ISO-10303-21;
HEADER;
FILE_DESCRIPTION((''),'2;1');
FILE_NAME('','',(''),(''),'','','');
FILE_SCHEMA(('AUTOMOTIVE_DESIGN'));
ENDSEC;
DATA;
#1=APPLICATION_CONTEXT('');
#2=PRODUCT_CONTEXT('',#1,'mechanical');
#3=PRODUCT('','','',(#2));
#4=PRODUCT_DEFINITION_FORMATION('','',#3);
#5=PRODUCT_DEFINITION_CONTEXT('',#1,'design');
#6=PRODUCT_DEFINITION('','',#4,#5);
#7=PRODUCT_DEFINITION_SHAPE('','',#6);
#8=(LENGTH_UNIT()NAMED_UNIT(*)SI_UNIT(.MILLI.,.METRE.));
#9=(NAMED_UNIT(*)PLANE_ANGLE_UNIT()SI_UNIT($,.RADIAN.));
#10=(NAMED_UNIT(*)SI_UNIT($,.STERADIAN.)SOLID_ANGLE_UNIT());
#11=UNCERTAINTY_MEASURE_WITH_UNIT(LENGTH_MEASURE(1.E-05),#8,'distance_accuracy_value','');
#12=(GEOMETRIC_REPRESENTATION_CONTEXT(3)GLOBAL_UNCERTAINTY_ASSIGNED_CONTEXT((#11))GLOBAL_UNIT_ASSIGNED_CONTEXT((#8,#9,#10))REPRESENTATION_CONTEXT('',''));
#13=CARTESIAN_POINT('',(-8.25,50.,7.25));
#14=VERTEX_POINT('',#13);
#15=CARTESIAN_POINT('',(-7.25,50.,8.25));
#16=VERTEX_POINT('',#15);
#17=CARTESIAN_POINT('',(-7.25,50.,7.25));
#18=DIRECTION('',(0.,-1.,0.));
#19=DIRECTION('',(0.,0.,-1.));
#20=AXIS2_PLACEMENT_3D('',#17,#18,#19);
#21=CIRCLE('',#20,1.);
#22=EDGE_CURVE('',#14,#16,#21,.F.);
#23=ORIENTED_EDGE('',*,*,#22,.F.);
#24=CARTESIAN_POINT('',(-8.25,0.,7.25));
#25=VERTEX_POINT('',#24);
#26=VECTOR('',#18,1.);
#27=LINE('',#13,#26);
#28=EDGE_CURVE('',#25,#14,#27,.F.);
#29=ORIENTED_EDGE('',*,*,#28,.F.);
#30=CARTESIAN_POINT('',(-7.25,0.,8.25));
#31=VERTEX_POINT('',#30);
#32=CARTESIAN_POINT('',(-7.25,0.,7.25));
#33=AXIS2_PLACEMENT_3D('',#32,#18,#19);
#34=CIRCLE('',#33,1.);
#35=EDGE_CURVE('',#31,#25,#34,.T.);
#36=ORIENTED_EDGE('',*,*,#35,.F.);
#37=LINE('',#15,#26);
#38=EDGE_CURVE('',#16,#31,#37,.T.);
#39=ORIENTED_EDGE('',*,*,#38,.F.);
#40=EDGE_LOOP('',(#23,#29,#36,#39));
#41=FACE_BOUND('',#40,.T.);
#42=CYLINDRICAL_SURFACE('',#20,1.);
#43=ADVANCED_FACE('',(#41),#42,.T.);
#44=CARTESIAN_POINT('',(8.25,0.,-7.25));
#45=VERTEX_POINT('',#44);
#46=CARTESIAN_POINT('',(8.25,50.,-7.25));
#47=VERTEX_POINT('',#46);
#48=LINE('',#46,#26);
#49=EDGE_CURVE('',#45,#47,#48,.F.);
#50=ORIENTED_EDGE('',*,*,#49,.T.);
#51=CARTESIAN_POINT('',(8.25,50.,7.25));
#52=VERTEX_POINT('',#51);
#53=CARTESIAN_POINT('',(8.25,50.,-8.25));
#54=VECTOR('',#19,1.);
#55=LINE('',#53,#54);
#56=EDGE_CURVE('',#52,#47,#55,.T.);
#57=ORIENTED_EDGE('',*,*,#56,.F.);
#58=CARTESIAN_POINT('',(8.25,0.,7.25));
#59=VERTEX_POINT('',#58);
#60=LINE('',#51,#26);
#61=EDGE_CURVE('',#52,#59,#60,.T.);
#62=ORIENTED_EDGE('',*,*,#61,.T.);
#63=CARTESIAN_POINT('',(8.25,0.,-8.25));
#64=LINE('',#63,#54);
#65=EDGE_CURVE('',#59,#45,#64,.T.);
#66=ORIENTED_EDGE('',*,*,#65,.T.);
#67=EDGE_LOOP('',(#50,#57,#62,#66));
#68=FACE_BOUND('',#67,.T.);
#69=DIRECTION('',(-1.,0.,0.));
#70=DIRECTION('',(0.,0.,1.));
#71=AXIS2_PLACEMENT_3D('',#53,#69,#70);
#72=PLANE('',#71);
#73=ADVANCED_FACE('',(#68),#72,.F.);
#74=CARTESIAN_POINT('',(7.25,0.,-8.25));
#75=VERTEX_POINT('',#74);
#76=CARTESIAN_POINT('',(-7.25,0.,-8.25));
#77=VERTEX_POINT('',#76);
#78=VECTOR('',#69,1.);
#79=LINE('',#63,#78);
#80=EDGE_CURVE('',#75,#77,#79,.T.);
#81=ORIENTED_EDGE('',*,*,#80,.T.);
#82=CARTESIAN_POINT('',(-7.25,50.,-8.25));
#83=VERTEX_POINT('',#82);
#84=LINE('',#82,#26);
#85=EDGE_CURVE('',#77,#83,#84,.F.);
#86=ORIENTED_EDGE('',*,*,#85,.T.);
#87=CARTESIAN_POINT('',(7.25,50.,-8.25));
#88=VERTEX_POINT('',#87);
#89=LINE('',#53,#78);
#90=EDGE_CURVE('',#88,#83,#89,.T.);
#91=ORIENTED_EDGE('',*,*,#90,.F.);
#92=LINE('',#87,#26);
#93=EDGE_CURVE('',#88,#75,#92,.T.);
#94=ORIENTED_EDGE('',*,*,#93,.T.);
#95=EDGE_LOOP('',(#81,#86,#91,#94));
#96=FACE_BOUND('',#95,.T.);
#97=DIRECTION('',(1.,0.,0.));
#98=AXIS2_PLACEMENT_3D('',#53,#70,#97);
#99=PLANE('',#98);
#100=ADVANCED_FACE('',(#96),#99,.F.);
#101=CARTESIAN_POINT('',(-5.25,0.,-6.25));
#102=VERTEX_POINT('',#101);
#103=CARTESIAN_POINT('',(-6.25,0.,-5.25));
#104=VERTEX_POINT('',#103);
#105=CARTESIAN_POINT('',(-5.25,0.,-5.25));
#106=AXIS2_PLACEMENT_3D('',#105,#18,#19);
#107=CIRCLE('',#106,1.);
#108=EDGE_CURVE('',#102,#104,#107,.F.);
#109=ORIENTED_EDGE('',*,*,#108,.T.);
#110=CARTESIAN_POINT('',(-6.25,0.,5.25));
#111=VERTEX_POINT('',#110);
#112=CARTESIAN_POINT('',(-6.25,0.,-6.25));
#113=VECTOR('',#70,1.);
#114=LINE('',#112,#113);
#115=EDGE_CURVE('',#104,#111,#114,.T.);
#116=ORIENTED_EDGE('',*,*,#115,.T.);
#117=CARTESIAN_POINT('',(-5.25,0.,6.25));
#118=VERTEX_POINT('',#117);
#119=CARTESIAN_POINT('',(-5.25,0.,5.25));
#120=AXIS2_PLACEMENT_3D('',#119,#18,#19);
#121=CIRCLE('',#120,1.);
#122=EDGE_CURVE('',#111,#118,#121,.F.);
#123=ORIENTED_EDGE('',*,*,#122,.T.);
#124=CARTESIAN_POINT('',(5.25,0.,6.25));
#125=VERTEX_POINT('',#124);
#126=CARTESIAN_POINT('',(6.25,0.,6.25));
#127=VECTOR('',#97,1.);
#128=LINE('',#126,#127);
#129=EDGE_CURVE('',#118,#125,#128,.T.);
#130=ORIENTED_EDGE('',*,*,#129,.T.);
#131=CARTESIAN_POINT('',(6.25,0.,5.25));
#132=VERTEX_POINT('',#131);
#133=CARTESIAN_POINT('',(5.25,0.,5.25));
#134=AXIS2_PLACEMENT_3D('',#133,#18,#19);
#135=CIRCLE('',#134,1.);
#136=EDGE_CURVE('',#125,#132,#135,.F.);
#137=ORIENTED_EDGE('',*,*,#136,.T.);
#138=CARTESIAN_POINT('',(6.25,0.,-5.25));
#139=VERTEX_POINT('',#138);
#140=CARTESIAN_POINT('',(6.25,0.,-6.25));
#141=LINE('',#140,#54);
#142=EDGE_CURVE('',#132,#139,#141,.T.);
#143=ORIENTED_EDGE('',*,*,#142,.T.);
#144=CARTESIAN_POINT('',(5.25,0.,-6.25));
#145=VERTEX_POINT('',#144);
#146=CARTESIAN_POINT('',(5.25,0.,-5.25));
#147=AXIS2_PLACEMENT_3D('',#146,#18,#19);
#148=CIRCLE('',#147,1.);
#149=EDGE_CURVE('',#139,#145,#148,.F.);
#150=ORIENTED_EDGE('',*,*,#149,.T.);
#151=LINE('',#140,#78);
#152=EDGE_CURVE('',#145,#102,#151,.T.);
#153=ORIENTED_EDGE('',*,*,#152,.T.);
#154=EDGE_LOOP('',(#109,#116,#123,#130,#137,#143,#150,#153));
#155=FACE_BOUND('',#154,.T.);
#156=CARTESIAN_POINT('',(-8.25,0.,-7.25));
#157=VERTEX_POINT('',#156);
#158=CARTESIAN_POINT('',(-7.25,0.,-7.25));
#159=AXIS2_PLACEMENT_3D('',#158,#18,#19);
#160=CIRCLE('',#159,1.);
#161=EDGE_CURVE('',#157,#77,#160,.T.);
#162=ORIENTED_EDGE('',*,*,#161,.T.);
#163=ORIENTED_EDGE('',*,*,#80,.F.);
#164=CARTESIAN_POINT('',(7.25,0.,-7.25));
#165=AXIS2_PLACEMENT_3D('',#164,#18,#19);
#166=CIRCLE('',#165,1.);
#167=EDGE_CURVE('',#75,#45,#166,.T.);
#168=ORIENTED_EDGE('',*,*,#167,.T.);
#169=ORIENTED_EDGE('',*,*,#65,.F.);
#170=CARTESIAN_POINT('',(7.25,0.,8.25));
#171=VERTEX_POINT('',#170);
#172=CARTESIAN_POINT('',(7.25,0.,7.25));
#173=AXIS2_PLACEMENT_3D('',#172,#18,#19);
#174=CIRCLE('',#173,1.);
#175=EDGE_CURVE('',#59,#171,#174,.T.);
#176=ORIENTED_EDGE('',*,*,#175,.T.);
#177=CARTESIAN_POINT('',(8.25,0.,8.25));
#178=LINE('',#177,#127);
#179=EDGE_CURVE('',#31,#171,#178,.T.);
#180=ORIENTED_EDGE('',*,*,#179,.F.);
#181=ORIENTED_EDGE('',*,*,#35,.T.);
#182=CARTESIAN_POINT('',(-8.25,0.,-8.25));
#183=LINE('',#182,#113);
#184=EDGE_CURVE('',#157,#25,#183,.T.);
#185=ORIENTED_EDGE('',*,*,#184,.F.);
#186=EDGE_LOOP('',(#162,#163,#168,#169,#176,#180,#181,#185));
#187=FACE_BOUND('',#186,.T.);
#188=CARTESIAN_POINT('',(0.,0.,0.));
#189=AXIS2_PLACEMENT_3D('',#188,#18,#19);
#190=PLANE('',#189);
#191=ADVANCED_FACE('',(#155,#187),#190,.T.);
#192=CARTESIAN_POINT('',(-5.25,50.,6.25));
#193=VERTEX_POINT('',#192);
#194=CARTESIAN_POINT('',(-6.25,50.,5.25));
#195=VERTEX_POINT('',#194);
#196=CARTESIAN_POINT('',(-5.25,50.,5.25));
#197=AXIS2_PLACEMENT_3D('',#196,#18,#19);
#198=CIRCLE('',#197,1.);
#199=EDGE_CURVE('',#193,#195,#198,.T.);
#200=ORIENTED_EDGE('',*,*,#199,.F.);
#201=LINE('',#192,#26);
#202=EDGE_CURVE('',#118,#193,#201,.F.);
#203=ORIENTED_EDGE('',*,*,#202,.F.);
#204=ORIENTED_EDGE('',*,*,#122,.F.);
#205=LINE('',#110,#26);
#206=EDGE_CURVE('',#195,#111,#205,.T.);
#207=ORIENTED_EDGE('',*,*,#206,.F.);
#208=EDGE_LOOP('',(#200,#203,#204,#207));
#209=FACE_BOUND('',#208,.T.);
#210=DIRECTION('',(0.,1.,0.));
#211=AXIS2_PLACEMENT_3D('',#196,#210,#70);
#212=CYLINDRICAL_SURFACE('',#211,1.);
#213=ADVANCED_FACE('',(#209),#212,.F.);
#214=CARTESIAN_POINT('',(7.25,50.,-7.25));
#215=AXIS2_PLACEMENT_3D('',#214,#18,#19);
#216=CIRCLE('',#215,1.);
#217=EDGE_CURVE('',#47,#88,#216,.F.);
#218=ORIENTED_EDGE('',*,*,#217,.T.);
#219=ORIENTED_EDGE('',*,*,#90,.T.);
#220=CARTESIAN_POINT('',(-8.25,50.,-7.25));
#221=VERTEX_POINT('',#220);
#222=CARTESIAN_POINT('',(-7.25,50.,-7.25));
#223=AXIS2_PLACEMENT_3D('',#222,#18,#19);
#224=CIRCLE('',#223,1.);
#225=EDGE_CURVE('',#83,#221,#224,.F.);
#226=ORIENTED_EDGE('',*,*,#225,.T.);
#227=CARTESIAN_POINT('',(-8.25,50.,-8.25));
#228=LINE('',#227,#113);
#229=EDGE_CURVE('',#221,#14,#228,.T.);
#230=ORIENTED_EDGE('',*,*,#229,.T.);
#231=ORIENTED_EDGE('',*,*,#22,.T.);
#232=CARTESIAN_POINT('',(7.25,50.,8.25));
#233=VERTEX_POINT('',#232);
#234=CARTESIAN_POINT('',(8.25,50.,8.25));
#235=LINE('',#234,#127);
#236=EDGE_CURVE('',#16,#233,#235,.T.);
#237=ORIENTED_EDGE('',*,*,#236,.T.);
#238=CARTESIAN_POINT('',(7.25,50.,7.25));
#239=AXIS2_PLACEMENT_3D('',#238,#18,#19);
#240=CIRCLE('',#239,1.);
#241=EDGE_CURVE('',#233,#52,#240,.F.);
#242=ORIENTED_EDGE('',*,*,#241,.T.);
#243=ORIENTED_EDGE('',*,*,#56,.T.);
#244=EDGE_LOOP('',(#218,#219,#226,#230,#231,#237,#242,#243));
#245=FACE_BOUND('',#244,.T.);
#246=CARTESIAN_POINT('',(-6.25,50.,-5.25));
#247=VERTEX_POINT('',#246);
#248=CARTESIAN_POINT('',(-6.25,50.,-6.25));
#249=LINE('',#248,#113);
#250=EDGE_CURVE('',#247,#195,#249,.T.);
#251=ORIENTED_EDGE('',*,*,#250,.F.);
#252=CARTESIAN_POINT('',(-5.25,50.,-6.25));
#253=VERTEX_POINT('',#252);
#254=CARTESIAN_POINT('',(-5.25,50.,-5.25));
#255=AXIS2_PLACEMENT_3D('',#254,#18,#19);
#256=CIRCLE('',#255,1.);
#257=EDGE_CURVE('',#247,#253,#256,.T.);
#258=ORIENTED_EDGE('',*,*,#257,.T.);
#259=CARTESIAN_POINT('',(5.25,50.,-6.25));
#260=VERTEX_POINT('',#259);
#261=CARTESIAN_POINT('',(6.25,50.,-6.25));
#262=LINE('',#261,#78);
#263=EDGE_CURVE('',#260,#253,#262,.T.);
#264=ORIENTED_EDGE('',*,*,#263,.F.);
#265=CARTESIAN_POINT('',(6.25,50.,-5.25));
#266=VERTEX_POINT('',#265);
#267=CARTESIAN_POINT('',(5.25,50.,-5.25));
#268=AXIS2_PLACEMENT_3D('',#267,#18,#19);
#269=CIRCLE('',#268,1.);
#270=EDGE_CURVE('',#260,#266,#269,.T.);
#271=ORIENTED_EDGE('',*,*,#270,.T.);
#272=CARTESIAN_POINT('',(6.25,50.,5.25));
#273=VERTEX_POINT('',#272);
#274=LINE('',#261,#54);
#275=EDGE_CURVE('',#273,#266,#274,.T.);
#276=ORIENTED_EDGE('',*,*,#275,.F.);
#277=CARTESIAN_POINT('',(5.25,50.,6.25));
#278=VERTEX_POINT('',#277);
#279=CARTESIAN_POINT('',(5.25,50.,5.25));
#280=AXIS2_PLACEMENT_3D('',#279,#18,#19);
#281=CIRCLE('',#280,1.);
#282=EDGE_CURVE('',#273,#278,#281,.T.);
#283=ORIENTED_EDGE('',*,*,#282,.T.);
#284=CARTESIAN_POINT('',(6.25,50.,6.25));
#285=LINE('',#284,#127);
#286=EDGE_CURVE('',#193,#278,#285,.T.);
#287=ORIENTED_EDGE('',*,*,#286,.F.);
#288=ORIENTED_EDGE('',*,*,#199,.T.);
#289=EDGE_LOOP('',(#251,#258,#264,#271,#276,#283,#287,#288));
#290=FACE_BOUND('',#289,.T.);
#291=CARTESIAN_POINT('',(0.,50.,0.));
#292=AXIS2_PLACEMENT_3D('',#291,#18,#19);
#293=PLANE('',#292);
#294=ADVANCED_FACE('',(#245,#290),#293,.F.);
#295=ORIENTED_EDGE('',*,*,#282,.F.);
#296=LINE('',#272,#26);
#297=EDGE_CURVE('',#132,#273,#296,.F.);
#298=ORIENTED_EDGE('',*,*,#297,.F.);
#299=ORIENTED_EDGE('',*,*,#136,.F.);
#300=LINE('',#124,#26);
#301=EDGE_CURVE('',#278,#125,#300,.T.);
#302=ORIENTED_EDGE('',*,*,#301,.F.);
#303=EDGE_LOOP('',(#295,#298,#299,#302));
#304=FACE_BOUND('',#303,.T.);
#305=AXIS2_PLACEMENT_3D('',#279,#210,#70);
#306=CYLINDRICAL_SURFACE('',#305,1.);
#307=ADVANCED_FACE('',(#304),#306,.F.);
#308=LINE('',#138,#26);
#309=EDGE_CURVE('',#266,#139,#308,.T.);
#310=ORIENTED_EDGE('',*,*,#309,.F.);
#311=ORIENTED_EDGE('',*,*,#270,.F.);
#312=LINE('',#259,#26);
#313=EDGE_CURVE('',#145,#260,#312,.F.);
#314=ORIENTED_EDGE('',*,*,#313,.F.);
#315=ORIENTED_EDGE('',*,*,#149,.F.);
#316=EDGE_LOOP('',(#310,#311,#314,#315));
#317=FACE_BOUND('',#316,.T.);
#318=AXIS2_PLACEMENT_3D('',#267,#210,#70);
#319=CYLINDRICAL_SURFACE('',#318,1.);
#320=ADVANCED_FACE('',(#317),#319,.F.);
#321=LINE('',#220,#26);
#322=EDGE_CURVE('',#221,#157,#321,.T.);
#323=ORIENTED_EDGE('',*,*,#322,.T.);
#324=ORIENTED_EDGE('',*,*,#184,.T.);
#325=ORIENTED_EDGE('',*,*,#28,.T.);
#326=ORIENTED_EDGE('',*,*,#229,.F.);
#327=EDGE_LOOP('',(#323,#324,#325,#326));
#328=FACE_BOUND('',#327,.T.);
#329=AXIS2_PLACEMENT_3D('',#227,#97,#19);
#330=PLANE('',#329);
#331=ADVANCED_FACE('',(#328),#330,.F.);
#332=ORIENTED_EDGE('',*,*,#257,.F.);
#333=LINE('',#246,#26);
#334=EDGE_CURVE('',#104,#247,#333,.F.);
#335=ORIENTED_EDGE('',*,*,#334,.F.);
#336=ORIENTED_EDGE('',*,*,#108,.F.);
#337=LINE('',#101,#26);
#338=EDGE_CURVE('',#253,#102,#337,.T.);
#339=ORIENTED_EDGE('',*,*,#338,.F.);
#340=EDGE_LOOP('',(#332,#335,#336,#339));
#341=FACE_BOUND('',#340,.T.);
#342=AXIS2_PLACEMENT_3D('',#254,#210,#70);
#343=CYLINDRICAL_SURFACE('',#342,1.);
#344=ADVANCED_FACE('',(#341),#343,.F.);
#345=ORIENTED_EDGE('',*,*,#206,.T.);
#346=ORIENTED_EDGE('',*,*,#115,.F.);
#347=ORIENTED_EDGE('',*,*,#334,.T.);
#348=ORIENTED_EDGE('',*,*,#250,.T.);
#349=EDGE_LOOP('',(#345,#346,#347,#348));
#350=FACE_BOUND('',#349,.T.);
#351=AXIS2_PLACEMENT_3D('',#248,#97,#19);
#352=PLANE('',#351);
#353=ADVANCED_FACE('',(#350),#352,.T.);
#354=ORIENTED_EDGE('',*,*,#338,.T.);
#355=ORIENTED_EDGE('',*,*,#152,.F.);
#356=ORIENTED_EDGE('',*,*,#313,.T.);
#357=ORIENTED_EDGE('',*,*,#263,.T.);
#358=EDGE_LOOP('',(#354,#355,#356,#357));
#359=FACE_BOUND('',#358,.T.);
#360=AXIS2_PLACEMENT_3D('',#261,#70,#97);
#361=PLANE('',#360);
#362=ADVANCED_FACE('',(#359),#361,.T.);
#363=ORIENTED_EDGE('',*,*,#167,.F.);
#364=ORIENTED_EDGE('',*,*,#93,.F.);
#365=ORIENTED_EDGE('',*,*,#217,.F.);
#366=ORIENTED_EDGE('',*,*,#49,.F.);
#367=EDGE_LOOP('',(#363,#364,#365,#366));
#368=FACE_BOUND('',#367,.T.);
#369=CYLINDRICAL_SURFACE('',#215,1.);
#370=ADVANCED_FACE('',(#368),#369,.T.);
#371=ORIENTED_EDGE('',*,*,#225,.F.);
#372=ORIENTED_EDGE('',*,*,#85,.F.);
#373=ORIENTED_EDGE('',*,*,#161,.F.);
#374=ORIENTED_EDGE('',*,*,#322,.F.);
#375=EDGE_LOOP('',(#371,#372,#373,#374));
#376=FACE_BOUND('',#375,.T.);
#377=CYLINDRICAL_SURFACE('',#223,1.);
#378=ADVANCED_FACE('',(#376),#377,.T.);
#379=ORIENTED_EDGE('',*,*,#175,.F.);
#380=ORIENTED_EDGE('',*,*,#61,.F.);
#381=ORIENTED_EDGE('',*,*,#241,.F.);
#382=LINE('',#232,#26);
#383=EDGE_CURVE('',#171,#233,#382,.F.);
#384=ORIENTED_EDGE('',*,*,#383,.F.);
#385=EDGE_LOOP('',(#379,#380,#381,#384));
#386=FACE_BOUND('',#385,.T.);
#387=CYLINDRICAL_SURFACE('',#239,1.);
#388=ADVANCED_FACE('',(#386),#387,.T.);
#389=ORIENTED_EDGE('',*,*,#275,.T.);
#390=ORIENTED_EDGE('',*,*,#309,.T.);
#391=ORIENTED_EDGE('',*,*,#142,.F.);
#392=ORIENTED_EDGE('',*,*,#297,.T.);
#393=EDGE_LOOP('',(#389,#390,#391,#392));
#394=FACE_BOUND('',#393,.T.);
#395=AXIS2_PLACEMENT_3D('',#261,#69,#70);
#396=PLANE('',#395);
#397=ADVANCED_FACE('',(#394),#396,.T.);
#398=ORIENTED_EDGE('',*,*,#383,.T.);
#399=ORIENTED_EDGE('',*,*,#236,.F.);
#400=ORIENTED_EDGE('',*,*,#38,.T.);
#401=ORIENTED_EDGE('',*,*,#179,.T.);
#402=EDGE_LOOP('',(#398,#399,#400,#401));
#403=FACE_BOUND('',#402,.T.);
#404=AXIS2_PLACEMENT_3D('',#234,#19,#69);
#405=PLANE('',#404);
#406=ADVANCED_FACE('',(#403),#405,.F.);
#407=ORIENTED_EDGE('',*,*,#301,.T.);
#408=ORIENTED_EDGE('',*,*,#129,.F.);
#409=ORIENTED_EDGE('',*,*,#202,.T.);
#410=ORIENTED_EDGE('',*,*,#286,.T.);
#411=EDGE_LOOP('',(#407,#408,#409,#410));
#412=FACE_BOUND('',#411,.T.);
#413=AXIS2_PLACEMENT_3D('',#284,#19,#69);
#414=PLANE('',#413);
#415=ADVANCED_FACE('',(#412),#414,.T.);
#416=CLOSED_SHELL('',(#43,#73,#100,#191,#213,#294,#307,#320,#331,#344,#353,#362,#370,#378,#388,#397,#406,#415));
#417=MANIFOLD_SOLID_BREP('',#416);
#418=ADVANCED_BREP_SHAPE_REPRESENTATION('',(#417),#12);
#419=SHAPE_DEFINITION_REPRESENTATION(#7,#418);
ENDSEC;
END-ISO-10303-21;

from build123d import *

# Parameters (mm, degrees)
CROQUIS1_W              = 16.5
CROQUIS1_H              = 16.5
CROQUIS1_W_2            = 12.5
CROQUIS1_H_2            = 12.5
SALIENTE_EXTRUIR1_DEPTH = 50
REDONDEO1_R             = 1


with BuildPart() as part:
    # Croquis1 → Saliente-Extruir1 (new body)
    with BuildSketch(Plane(origin=(0, 0, 0), x_dir=(1, 0, 0), z_dir=(0, 1, 0))):
        Rectangle(CROQUIS1_W, CROQUIS1_H)
        Rectangle(CROQUIS1_W_2, CROQUIS1_H_2, mode=Mode.SUBTRACT)
    extrude(amount=SALIENTE_EXTRUIR1_DEPTH)

    # Redondeo1
    redondeo1_edges = [part.edges().sort_by_distance(p)[0] for p in [
        (-6.25, 25, -6.25),
        (-6.25, 25, 6.25),
        (6.25, 25, 6.25),
        (6.25, 25, -6.25),
        (-8.25, 25, -8.25),
        (8.25, 25, -8.25),
        (8.25, 25, 8.25),
        (-8.25, 25, 8.25),
    ]]
    fillet(redondeo1_edges, radius=REDONDEO1_R)


solid = part.part
